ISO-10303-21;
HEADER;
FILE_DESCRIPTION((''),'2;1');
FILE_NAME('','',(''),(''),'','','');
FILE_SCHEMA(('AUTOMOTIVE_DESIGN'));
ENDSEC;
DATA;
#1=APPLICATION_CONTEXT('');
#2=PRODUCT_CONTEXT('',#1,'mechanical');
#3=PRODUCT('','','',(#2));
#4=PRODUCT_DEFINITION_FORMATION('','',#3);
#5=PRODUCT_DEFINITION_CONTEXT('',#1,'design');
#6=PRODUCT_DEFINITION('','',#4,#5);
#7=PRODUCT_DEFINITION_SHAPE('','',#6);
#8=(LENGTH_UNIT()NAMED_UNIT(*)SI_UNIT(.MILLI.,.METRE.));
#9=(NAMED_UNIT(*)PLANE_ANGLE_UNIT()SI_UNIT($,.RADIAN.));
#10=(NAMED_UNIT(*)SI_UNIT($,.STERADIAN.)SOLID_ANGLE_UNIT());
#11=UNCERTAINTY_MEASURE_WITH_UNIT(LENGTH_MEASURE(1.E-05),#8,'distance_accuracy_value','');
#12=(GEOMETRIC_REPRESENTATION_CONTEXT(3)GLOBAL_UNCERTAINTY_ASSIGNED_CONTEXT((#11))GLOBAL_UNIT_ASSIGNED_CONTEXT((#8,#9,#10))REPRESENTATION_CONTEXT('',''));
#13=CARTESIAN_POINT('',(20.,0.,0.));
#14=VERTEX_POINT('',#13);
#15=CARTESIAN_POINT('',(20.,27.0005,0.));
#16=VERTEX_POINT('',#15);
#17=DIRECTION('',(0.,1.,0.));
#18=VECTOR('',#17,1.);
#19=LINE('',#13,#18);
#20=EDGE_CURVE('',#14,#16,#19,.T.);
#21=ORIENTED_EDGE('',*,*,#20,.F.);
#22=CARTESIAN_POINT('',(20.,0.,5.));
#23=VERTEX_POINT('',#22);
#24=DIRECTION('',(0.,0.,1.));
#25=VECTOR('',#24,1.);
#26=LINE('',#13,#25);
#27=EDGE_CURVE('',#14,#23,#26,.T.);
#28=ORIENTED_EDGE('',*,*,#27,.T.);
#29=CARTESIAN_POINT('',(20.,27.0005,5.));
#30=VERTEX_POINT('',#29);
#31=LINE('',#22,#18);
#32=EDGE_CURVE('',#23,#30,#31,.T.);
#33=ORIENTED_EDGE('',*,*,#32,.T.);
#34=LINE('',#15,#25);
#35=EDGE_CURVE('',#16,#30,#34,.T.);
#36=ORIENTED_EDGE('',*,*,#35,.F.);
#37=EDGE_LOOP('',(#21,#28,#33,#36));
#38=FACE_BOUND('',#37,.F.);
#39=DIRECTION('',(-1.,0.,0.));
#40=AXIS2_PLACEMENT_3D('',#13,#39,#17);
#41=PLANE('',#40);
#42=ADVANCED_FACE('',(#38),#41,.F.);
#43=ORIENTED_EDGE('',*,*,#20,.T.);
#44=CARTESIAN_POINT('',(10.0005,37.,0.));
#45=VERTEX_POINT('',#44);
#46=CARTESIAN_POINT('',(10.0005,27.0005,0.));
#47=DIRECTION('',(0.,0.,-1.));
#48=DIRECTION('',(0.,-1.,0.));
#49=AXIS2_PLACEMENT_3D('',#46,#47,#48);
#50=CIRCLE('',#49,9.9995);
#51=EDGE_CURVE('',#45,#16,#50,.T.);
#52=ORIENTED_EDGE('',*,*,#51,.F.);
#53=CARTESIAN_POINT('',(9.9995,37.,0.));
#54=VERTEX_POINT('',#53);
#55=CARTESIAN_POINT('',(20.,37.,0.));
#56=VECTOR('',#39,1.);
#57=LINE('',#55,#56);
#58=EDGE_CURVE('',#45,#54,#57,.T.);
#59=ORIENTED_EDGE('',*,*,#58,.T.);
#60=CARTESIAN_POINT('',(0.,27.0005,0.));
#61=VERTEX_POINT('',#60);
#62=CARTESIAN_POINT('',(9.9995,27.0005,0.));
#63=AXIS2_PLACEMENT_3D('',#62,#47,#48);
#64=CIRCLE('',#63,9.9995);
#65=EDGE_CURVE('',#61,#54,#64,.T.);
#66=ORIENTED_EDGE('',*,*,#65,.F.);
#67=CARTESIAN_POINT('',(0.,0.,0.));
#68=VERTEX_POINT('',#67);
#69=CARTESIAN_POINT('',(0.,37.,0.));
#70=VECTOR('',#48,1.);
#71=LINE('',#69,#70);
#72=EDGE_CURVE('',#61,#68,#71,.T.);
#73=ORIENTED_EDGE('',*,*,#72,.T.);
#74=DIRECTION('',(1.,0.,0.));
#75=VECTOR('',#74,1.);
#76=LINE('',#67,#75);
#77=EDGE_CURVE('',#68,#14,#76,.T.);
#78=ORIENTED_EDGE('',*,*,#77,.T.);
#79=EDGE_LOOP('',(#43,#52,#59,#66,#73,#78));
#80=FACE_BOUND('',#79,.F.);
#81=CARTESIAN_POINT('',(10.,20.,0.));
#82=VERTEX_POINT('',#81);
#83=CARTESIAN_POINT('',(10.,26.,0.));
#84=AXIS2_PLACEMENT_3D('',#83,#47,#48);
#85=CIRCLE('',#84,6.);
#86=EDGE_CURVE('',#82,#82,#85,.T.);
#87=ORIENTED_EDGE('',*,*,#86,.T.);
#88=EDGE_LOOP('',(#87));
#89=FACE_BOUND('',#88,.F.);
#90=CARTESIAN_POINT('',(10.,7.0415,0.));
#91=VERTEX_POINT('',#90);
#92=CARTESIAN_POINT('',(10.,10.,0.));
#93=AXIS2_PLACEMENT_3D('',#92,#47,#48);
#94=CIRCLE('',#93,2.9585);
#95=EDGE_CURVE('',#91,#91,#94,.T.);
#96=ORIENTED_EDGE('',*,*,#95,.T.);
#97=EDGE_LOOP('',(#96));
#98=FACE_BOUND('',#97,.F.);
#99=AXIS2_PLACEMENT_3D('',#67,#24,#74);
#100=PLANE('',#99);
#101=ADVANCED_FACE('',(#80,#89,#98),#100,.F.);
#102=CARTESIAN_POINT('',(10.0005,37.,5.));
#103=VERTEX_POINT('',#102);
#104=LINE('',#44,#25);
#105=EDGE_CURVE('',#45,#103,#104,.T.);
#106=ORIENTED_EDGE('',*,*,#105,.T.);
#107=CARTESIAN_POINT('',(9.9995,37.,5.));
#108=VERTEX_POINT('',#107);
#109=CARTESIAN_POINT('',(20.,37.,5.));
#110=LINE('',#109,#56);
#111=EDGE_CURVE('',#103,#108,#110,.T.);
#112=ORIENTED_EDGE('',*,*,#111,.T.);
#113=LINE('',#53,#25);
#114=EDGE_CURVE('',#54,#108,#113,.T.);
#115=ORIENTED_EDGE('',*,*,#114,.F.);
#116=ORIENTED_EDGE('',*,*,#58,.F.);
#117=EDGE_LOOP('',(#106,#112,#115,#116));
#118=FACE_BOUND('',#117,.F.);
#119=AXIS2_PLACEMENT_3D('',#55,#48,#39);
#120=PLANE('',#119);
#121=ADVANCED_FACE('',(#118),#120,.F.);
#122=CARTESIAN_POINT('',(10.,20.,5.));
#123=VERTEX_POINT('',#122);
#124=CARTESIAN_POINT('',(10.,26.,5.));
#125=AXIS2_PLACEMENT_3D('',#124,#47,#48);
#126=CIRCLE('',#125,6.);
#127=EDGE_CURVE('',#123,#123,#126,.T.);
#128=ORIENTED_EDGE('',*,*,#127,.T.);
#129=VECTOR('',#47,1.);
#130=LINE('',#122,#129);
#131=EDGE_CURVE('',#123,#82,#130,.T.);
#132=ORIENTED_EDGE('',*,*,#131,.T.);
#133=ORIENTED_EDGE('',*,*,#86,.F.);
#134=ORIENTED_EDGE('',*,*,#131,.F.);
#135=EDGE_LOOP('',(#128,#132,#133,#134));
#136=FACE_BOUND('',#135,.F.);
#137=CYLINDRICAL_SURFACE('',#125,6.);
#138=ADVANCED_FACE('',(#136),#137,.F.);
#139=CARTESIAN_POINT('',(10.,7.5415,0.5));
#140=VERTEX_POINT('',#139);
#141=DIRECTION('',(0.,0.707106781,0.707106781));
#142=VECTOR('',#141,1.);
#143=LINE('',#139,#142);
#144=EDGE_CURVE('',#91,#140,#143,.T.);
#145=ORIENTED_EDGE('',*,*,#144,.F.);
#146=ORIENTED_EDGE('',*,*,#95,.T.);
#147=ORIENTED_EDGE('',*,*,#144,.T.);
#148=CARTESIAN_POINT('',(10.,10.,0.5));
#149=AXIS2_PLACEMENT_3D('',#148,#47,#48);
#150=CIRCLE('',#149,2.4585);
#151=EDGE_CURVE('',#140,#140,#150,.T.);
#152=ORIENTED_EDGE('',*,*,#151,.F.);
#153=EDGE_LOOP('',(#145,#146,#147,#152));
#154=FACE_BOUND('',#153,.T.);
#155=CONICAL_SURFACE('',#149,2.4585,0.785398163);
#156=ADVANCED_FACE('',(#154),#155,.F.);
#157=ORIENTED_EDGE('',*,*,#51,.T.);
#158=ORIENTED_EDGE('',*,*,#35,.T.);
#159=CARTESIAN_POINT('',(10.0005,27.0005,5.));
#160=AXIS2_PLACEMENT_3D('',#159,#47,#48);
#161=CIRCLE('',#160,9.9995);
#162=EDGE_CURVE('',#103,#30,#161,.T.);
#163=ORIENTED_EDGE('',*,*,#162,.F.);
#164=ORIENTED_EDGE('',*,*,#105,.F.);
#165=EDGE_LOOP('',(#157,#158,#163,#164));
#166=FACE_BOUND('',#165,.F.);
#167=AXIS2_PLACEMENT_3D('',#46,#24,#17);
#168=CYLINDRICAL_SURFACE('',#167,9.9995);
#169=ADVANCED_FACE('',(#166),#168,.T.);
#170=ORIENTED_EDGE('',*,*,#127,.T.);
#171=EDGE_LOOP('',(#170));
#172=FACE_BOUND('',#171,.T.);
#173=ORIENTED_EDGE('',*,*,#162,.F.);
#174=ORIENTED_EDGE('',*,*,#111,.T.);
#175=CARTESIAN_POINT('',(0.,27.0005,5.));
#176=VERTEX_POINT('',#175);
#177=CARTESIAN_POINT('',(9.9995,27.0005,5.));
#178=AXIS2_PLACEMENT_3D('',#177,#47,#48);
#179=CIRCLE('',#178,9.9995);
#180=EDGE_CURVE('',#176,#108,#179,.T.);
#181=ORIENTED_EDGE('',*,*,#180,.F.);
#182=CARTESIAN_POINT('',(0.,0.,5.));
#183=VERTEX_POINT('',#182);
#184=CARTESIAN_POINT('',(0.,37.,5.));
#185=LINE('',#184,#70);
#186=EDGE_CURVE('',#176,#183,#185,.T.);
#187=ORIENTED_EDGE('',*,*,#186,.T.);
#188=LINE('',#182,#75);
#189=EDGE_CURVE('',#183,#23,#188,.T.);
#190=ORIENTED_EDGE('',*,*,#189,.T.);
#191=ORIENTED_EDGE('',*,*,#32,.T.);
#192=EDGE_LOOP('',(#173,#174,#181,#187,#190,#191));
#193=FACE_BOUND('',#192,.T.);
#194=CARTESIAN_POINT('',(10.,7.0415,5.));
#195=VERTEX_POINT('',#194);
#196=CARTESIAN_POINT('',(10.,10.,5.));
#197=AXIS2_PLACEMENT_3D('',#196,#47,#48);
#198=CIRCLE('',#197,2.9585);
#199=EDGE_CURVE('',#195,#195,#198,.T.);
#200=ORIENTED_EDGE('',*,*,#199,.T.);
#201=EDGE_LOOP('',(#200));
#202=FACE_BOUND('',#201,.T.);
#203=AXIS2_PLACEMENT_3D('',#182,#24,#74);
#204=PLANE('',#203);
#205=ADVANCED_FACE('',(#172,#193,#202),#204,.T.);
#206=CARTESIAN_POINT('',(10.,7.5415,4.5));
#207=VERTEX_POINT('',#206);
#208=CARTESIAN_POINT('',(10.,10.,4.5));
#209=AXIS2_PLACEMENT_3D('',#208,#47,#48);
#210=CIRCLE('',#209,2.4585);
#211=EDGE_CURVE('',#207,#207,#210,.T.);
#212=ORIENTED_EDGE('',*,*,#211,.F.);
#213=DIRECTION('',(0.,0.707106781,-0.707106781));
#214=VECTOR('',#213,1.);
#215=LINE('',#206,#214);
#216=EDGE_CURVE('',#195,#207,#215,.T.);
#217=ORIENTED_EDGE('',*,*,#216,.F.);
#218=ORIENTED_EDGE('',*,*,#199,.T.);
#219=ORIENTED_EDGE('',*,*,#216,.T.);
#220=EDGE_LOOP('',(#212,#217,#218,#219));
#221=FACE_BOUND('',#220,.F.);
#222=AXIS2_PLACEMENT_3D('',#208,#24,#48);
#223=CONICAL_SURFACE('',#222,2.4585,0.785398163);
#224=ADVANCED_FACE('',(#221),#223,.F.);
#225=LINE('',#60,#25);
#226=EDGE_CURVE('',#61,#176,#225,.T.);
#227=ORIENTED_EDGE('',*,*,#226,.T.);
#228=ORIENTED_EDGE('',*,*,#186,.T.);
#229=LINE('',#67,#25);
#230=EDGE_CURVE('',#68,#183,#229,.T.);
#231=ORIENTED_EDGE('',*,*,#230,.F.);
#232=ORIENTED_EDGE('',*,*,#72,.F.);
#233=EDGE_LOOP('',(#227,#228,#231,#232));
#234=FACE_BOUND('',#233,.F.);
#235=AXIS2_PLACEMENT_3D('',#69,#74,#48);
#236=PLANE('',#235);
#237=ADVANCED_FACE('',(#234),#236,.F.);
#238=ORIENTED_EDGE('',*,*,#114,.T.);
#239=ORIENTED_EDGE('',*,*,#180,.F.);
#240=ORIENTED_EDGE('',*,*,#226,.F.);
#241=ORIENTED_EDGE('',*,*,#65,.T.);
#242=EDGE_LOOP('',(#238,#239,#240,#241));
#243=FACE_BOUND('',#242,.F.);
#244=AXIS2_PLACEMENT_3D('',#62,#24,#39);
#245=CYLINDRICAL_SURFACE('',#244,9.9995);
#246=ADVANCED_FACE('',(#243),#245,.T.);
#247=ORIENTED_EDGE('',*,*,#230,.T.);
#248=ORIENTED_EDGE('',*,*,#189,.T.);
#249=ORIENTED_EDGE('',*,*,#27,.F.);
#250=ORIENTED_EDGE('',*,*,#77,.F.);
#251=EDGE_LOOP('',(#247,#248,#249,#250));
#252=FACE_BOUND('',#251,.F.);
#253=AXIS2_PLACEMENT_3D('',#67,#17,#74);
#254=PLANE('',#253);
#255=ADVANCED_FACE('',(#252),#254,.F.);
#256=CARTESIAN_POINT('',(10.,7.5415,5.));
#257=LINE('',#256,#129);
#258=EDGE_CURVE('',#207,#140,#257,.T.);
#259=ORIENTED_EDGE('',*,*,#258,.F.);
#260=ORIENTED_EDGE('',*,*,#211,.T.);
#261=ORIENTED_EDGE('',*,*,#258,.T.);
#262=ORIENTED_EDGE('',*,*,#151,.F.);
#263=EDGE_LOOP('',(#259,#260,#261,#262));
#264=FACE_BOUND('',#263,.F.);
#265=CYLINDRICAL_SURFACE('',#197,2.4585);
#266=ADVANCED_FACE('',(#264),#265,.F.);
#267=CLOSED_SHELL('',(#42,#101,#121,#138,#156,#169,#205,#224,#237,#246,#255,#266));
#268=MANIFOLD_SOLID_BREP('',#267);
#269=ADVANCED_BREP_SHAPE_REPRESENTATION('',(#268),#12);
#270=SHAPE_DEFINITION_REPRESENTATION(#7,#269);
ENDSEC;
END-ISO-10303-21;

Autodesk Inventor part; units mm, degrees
ref_plane "YZ Plane" through (0, 0, 0) normal (1, 0, 0) x (0, 1, 0)
ref_plane "XZ Plane" through (0, 0, 0) normal (0, 1, 0) x (-1, 0, 0)
ref_plane "XY Plane" through (0, 0, 0) normal (0, 0, 1) x (1, 0, 0)
sketch "Sketch1" plane through (0, 0, 0) normal (0, 0, 1) x (1, 0, 0)
  line L0 (0, 0) -> (20, 0)
  line L1 (20, 0) -> (20, 37)
  line L2 (20, 37) -> (0, 37)
  line L3 (0, 37) -> (0, 0)
  dimension "d0" = 20
  dimension "d1" = 37
extrude "Extrusion1" add sketch "Sketch1" along normal blind 5
sketch "Sketch2" plane through (0, 0, 5) normal (0, 0, 1) x (1, 0, 0)
  line L0 (20, 0) -> (0, 0) projected
  line L1 (20, 37) -> (20, 0) projected
  point P0 (10, 26)
  dimension "d4" = 26
  dimension "d5" = 10
hole "Hole1" at (10, 26, 5) direction (0, 0, -1) diameter 12 depth 5 tip angle 118
fillet "Fillet1" radius 10 2 edges at (20, 37, 2.5) (0, 37, 2.5)
sketch "Sketch3" plane through (0, 0, 5) normal (0, 0, 1) x (1, 0, 0)
  line L0 (0, 0) -> (0, 27) projected
  line L1 (20, 0) -> (0, 0) projected
  point P0 (10, 10)
  dimension "d14" = 10
  dimension "d15" = 10
hole "Hole2" at (10, 10, 5) direction (0, 0, -1) diameter 4.917 depth 6 tip angle 118 thread size "M6x1" class "6H" standard "ANSI Metric M Profile"
chamfer "Chamfer1" distance 0.5 angle 45 2 edges at (10, 12.4585, 5) (10, 12.4585, 0)
properties part number "SUPORTE DO EIXO TRASEIRO(51)" material "Carbon Steel"
